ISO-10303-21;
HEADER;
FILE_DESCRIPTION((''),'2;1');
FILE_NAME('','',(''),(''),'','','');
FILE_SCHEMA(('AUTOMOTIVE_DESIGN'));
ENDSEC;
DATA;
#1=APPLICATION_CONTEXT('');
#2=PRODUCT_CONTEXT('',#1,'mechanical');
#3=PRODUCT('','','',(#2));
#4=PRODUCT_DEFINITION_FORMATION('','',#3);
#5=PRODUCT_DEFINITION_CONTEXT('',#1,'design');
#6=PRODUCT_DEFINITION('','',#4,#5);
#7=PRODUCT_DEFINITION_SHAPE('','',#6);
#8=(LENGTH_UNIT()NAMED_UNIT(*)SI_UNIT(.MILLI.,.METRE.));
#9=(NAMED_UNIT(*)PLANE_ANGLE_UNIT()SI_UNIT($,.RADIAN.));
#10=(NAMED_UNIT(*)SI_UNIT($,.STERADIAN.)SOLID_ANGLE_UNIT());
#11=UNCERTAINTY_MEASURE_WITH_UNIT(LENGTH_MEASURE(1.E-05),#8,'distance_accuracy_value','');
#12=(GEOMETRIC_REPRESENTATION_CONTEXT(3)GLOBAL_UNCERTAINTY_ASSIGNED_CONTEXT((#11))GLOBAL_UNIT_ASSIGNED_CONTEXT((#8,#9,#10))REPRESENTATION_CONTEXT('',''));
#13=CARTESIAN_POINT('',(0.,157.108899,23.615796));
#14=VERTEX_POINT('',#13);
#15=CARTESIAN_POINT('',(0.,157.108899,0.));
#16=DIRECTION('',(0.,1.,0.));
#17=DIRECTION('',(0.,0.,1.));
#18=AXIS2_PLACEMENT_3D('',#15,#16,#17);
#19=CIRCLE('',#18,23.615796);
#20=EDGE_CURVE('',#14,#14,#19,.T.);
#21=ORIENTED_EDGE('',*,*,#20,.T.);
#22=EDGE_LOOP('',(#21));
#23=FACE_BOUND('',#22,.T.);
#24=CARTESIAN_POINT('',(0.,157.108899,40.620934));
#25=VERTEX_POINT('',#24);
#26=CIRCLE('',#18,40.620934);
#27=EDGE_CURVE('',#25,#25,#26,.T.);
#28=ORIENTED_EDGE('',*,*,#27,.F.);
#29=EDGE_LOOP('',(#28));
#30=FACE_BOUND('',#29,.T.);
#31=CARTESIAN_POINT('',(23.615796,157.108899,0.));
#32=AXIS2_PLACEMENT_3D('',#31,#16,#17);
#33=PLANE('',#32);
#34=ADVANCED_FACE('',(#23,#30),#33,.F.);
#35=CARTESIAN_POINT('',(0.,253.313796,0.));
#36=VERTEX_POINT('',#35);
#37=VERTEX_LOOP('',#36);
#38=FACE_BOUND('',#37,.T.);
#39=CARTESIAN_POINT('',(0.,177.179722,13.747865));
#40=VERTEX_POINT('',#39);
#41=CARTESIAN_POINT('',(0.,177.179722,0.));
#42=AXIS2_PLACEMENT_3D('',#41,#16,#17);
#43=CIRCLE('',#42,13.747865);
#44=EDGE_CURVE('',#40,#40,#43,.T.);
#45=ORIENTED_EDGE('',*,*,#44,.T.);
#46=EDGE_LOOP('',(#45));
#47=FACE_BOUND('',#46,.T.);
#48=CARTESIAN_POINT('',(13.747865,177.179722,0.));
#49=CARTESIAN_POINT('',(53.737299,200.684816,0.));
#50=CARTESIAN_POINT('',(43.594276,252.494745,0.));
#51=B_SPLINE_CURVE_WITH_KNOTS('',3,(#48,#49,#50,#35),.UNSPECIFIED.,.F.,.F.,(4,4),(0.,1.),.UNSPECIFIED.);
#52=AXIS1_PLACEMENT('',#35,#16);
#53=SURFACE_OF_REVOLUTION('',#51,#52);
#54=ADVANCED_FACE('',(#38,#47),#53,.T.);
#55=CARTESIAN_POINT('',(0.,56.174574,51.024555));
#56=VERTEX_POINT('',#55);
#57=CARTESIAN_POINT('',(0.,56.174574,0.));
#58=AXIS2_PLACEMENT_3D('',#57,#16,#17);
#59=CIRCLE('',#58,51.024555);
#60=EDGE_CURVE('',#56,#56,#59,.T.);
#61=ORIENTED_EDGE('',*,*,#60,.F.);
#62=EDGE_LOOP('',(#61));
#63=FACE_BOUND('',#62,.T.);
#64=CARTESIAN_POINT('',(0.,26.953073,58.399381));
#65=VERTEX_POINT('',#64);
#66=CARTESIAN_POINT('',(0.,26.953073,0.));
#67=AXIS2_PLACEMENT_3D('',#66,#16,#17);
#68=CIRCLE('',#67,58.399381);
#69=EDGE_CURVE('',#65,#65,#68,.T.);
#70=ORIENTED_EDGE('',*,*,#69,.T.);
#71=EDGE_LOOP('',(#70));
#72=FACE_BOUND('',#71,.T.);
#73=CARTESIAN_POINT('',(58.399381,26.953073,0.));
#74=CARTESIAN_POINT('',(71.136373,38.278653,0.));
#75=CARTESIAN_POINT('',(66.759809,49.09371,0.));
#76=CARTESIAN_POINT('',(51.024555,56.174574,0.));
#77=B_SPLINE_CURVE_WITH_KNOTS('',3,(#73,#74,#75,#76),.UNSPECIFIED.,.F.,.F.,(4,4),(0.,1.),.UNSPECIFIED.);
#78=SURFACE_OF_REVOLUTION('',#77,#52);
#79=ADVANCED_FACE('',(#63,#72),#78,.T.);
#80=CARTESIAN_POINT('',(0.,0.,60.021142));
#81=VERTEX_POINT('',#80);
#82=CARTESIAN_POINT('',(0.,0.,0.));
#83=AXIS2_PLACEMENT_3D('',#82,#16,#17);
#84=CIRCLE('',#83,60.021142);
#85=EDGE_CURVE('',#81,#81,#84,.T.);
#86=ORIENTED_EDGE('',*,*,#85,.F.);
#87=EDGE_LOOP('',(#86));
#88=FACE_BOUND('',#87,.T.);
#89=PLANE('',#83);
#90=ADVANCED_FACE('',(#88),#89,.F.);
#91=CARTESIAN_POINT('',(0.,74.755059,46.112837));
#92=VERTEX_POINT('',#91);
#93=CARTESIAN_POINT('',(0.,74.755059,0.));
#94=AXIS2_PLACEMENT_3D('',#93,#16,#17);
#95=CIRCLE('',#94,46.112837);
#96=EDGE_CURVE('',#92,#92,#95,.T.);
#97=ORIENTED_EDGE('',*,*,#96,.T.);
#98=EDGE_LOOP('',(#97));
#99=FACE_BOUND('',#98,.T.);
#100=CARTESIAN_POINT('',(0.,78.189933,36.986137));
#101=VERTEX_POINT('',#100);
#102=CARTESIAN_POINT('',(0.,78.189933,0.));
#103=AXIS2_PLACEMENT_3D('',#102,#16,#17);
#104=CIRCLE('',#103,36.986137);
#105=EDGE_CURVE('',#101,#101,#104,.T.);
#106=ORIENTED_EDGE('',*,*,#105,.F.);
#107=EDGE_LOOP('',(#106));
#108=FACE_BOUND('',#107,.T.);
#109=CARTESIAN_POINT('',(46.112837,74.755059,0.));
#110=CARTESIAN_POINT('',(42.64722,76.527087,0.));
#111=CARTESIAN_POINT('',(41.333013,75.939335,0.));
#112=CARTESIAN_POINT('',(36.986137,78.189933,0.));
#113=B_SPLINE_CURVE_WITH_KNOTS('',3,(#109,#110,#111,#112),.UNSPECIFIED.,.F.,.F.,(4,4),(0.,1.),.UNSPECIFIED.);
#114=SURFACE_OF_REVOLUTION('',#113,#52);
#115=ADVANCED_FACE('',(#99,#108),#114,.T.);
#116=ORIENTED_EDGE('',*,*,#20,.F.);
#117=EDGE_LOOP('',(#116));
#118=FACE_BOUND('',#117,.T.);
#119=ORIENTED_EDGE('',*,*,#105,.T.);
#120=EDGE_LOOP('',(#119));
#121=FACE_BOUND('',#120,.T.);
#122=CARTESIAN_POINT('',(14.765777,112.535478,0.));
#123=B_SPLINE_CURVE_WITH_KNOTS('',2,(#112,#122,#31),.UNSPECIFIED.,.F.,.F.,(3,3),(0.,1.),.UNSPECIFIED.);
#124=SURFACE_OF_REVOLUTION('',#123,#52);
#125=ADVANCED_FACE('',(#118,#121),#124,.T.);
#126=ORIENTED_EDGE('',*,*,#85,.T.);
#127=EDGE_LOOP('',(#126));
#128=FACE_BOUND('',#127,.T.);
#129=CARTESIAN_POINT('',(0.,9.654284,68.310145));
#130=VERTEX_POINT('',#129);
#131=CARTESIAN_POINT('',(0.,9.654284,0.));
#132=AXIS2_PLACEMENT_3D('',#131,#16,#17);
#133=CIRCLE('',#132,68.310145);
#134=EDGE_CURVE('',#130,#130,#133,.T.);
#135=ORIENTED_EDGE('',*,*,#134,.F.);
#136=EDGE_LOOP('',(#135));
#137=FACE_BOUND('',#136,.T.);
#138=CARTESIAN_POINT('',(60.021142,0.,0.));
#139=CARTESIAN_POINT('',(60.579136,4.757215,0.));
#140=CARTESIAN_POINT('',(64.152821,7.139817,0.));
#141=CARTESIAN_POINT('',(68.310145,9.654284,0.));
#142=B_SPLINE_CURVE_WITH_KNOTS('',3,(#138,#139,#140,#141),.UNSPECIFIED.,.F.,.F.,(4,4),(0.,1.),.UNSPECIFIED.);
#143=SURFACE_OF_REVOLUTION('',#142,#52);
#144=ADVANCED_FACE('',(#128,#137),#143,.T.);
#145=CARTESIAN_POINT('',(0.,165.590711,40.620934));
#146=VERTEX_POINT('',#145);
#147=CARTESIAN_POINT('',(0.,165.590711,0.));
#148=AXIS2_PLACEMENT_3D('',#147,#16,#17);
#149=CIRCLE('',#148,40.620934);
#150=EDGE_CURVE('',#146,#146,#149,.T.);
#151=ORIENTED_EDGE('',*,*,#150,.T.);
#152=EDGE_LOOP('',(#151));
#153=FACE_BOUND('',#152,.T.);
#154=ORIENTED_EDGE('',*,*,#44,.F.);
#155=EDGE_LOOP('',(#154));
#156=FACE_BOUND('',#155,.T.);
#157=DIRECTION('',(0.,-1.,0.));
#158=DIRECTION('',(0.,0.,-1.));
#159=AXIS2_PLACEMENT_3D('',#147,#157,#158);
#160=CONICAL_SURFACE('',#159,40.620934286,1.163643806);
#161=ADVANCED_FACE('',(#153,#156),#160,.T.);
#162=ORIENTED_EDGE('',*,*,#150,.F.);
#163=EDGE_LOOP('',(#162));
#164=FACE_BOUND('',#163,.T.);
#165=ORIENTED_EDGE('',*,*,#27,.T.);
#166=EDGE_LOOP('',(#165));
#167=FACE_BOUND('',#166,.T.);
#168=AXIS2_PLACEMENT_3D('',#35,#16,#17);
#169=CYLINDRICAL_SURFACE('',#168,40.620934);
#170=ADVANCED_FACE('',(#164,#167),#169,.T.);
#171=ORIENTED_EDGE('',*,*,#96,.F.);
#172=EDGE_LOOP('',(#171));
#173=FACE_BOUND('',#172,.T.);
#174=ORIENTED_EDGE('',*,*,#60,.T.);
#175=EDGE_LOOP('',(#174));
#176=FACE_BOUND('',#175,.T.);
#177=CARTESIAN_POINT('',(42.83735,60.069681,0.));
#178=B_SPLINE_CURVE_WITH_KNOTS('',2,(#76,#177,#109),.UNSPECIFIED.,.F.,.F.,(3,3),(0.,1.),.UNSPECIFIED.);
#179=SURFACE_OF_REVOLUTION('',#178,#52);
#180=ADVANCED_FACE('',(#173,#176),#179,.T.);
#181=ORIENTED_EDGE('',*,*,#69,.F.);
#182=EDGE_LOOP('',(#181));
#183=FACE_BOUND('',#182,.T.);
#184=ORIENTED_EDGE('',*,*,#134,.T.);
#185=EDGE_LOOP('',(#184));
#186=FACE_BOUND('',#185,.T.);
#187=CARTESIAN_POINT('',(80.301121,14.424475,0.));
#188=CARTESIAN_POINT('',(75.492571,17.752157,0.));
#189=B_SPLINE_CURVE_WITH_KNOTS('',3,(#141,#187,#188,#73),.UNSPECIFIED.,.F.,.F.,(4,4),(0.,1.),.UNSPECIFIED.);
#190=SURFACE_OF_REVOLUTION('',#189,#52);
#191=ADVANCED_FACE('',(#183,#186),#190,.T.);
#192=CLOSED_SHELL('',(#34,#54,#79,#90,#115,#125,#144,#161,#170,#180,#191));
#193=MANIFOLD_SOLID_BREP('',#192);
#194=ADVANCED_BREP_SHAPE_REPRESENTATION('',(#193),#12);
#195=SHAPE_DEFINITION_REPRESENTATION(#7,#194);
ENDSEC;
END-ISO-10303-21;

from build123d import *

# Parameters (mm, degrees)
SCALE1_SCALE = 0.5


with BuildPart() as part:
    # Sketch1 → Revolve1 (revolve)
    with BuildSketch(Plane.XY, mode=Mode.PRIVATE) as revolve1_sk:
        with BuildLine():
            Line((0, 0), (120.042284428, 0))
            add(Edge.make_bspline(
                [(120.042284428, 0), (121.158272138, 9.5144298), (128.305641039, 14.27963326), (136.620290477, 19.308568774)],
                knots=[0, 0, 0, 0, 1, 1, 1, 1], degree=3))
            add(Edge.make_bspline(
                [(136.620290477, 19.308568774), (160.602241172, 28.848950954), (150.985141909, 35.504314935), (116.798761506, 53.906146614)],
                knots=[0, 0, 0, 0, 1, 1, 1, 1], degree=3))
            add(Edge.make_bspline(
                [(116.798761506, 53.906146614), (142.272746661, 76.557306673), (133.519617574, 98.187419869), (102.049109373, 112.34914856)],
                knots=[0, 0, 0, 0, 1, 1, 1, 1], degree=3))
            add(Edge.make_bspline(
                [(102.049109373, 112.34914856), (85.674700219, 120.139362549), (92.225673755, 149.510117393)],
                knots=[0, 0, 0, 1, 1, 1], degree=2))
            add(Edge.make_bspline(
                [(92.225673755, 149.510117393), (85.294439582, 153.054174719), (82.666025189, 151.878670704), (73.972273771, 156.379866313)],
                knots=[0, 0, 0, 0, 1, 1, 1, 1], degree=3))
            add(Edge.make_bspline(
                [(73.972273771, 156.379866313), (29.531553321, 225.070955796), (47.231591743, 314.217797403)],
                knots=[0, 0, 0, 1, 1, 1], degree=2))
            Line((47.231591743, 314.217797403), (81.241868572, 314.217797403))
            Line((81.241868572, 314.217797403), (81.241868572, 331.181422321))
            Line((81.241868572, 331.181422321), (27.495730216, 354.359444487))
            add(Edge.make_bspline(
                [(27.495730216, 354.359444487), (107.474597891, 401.369632918), (87.188552487, 504.989489508), (0, 506.627591868)],
                knots=[0, 0, 0, 0, 1, 1, 1, 1], degree=3))
            Line((0, 506.627591868), (0, 0))
        make_face()
    revolve(revolve1_sk.sketch.rotate(Axis((0, 506.627591868, 0), (0, -1, 0)), 90), axis=Axis((0, 506.627591868, 0), (0, -1, 0)))


with BuildPart() as part_1:
    # Scale1: scaled about (0, 0, 0)
    add(part.part.scale(SCALE1_SCALE))


solid = part_1.part
